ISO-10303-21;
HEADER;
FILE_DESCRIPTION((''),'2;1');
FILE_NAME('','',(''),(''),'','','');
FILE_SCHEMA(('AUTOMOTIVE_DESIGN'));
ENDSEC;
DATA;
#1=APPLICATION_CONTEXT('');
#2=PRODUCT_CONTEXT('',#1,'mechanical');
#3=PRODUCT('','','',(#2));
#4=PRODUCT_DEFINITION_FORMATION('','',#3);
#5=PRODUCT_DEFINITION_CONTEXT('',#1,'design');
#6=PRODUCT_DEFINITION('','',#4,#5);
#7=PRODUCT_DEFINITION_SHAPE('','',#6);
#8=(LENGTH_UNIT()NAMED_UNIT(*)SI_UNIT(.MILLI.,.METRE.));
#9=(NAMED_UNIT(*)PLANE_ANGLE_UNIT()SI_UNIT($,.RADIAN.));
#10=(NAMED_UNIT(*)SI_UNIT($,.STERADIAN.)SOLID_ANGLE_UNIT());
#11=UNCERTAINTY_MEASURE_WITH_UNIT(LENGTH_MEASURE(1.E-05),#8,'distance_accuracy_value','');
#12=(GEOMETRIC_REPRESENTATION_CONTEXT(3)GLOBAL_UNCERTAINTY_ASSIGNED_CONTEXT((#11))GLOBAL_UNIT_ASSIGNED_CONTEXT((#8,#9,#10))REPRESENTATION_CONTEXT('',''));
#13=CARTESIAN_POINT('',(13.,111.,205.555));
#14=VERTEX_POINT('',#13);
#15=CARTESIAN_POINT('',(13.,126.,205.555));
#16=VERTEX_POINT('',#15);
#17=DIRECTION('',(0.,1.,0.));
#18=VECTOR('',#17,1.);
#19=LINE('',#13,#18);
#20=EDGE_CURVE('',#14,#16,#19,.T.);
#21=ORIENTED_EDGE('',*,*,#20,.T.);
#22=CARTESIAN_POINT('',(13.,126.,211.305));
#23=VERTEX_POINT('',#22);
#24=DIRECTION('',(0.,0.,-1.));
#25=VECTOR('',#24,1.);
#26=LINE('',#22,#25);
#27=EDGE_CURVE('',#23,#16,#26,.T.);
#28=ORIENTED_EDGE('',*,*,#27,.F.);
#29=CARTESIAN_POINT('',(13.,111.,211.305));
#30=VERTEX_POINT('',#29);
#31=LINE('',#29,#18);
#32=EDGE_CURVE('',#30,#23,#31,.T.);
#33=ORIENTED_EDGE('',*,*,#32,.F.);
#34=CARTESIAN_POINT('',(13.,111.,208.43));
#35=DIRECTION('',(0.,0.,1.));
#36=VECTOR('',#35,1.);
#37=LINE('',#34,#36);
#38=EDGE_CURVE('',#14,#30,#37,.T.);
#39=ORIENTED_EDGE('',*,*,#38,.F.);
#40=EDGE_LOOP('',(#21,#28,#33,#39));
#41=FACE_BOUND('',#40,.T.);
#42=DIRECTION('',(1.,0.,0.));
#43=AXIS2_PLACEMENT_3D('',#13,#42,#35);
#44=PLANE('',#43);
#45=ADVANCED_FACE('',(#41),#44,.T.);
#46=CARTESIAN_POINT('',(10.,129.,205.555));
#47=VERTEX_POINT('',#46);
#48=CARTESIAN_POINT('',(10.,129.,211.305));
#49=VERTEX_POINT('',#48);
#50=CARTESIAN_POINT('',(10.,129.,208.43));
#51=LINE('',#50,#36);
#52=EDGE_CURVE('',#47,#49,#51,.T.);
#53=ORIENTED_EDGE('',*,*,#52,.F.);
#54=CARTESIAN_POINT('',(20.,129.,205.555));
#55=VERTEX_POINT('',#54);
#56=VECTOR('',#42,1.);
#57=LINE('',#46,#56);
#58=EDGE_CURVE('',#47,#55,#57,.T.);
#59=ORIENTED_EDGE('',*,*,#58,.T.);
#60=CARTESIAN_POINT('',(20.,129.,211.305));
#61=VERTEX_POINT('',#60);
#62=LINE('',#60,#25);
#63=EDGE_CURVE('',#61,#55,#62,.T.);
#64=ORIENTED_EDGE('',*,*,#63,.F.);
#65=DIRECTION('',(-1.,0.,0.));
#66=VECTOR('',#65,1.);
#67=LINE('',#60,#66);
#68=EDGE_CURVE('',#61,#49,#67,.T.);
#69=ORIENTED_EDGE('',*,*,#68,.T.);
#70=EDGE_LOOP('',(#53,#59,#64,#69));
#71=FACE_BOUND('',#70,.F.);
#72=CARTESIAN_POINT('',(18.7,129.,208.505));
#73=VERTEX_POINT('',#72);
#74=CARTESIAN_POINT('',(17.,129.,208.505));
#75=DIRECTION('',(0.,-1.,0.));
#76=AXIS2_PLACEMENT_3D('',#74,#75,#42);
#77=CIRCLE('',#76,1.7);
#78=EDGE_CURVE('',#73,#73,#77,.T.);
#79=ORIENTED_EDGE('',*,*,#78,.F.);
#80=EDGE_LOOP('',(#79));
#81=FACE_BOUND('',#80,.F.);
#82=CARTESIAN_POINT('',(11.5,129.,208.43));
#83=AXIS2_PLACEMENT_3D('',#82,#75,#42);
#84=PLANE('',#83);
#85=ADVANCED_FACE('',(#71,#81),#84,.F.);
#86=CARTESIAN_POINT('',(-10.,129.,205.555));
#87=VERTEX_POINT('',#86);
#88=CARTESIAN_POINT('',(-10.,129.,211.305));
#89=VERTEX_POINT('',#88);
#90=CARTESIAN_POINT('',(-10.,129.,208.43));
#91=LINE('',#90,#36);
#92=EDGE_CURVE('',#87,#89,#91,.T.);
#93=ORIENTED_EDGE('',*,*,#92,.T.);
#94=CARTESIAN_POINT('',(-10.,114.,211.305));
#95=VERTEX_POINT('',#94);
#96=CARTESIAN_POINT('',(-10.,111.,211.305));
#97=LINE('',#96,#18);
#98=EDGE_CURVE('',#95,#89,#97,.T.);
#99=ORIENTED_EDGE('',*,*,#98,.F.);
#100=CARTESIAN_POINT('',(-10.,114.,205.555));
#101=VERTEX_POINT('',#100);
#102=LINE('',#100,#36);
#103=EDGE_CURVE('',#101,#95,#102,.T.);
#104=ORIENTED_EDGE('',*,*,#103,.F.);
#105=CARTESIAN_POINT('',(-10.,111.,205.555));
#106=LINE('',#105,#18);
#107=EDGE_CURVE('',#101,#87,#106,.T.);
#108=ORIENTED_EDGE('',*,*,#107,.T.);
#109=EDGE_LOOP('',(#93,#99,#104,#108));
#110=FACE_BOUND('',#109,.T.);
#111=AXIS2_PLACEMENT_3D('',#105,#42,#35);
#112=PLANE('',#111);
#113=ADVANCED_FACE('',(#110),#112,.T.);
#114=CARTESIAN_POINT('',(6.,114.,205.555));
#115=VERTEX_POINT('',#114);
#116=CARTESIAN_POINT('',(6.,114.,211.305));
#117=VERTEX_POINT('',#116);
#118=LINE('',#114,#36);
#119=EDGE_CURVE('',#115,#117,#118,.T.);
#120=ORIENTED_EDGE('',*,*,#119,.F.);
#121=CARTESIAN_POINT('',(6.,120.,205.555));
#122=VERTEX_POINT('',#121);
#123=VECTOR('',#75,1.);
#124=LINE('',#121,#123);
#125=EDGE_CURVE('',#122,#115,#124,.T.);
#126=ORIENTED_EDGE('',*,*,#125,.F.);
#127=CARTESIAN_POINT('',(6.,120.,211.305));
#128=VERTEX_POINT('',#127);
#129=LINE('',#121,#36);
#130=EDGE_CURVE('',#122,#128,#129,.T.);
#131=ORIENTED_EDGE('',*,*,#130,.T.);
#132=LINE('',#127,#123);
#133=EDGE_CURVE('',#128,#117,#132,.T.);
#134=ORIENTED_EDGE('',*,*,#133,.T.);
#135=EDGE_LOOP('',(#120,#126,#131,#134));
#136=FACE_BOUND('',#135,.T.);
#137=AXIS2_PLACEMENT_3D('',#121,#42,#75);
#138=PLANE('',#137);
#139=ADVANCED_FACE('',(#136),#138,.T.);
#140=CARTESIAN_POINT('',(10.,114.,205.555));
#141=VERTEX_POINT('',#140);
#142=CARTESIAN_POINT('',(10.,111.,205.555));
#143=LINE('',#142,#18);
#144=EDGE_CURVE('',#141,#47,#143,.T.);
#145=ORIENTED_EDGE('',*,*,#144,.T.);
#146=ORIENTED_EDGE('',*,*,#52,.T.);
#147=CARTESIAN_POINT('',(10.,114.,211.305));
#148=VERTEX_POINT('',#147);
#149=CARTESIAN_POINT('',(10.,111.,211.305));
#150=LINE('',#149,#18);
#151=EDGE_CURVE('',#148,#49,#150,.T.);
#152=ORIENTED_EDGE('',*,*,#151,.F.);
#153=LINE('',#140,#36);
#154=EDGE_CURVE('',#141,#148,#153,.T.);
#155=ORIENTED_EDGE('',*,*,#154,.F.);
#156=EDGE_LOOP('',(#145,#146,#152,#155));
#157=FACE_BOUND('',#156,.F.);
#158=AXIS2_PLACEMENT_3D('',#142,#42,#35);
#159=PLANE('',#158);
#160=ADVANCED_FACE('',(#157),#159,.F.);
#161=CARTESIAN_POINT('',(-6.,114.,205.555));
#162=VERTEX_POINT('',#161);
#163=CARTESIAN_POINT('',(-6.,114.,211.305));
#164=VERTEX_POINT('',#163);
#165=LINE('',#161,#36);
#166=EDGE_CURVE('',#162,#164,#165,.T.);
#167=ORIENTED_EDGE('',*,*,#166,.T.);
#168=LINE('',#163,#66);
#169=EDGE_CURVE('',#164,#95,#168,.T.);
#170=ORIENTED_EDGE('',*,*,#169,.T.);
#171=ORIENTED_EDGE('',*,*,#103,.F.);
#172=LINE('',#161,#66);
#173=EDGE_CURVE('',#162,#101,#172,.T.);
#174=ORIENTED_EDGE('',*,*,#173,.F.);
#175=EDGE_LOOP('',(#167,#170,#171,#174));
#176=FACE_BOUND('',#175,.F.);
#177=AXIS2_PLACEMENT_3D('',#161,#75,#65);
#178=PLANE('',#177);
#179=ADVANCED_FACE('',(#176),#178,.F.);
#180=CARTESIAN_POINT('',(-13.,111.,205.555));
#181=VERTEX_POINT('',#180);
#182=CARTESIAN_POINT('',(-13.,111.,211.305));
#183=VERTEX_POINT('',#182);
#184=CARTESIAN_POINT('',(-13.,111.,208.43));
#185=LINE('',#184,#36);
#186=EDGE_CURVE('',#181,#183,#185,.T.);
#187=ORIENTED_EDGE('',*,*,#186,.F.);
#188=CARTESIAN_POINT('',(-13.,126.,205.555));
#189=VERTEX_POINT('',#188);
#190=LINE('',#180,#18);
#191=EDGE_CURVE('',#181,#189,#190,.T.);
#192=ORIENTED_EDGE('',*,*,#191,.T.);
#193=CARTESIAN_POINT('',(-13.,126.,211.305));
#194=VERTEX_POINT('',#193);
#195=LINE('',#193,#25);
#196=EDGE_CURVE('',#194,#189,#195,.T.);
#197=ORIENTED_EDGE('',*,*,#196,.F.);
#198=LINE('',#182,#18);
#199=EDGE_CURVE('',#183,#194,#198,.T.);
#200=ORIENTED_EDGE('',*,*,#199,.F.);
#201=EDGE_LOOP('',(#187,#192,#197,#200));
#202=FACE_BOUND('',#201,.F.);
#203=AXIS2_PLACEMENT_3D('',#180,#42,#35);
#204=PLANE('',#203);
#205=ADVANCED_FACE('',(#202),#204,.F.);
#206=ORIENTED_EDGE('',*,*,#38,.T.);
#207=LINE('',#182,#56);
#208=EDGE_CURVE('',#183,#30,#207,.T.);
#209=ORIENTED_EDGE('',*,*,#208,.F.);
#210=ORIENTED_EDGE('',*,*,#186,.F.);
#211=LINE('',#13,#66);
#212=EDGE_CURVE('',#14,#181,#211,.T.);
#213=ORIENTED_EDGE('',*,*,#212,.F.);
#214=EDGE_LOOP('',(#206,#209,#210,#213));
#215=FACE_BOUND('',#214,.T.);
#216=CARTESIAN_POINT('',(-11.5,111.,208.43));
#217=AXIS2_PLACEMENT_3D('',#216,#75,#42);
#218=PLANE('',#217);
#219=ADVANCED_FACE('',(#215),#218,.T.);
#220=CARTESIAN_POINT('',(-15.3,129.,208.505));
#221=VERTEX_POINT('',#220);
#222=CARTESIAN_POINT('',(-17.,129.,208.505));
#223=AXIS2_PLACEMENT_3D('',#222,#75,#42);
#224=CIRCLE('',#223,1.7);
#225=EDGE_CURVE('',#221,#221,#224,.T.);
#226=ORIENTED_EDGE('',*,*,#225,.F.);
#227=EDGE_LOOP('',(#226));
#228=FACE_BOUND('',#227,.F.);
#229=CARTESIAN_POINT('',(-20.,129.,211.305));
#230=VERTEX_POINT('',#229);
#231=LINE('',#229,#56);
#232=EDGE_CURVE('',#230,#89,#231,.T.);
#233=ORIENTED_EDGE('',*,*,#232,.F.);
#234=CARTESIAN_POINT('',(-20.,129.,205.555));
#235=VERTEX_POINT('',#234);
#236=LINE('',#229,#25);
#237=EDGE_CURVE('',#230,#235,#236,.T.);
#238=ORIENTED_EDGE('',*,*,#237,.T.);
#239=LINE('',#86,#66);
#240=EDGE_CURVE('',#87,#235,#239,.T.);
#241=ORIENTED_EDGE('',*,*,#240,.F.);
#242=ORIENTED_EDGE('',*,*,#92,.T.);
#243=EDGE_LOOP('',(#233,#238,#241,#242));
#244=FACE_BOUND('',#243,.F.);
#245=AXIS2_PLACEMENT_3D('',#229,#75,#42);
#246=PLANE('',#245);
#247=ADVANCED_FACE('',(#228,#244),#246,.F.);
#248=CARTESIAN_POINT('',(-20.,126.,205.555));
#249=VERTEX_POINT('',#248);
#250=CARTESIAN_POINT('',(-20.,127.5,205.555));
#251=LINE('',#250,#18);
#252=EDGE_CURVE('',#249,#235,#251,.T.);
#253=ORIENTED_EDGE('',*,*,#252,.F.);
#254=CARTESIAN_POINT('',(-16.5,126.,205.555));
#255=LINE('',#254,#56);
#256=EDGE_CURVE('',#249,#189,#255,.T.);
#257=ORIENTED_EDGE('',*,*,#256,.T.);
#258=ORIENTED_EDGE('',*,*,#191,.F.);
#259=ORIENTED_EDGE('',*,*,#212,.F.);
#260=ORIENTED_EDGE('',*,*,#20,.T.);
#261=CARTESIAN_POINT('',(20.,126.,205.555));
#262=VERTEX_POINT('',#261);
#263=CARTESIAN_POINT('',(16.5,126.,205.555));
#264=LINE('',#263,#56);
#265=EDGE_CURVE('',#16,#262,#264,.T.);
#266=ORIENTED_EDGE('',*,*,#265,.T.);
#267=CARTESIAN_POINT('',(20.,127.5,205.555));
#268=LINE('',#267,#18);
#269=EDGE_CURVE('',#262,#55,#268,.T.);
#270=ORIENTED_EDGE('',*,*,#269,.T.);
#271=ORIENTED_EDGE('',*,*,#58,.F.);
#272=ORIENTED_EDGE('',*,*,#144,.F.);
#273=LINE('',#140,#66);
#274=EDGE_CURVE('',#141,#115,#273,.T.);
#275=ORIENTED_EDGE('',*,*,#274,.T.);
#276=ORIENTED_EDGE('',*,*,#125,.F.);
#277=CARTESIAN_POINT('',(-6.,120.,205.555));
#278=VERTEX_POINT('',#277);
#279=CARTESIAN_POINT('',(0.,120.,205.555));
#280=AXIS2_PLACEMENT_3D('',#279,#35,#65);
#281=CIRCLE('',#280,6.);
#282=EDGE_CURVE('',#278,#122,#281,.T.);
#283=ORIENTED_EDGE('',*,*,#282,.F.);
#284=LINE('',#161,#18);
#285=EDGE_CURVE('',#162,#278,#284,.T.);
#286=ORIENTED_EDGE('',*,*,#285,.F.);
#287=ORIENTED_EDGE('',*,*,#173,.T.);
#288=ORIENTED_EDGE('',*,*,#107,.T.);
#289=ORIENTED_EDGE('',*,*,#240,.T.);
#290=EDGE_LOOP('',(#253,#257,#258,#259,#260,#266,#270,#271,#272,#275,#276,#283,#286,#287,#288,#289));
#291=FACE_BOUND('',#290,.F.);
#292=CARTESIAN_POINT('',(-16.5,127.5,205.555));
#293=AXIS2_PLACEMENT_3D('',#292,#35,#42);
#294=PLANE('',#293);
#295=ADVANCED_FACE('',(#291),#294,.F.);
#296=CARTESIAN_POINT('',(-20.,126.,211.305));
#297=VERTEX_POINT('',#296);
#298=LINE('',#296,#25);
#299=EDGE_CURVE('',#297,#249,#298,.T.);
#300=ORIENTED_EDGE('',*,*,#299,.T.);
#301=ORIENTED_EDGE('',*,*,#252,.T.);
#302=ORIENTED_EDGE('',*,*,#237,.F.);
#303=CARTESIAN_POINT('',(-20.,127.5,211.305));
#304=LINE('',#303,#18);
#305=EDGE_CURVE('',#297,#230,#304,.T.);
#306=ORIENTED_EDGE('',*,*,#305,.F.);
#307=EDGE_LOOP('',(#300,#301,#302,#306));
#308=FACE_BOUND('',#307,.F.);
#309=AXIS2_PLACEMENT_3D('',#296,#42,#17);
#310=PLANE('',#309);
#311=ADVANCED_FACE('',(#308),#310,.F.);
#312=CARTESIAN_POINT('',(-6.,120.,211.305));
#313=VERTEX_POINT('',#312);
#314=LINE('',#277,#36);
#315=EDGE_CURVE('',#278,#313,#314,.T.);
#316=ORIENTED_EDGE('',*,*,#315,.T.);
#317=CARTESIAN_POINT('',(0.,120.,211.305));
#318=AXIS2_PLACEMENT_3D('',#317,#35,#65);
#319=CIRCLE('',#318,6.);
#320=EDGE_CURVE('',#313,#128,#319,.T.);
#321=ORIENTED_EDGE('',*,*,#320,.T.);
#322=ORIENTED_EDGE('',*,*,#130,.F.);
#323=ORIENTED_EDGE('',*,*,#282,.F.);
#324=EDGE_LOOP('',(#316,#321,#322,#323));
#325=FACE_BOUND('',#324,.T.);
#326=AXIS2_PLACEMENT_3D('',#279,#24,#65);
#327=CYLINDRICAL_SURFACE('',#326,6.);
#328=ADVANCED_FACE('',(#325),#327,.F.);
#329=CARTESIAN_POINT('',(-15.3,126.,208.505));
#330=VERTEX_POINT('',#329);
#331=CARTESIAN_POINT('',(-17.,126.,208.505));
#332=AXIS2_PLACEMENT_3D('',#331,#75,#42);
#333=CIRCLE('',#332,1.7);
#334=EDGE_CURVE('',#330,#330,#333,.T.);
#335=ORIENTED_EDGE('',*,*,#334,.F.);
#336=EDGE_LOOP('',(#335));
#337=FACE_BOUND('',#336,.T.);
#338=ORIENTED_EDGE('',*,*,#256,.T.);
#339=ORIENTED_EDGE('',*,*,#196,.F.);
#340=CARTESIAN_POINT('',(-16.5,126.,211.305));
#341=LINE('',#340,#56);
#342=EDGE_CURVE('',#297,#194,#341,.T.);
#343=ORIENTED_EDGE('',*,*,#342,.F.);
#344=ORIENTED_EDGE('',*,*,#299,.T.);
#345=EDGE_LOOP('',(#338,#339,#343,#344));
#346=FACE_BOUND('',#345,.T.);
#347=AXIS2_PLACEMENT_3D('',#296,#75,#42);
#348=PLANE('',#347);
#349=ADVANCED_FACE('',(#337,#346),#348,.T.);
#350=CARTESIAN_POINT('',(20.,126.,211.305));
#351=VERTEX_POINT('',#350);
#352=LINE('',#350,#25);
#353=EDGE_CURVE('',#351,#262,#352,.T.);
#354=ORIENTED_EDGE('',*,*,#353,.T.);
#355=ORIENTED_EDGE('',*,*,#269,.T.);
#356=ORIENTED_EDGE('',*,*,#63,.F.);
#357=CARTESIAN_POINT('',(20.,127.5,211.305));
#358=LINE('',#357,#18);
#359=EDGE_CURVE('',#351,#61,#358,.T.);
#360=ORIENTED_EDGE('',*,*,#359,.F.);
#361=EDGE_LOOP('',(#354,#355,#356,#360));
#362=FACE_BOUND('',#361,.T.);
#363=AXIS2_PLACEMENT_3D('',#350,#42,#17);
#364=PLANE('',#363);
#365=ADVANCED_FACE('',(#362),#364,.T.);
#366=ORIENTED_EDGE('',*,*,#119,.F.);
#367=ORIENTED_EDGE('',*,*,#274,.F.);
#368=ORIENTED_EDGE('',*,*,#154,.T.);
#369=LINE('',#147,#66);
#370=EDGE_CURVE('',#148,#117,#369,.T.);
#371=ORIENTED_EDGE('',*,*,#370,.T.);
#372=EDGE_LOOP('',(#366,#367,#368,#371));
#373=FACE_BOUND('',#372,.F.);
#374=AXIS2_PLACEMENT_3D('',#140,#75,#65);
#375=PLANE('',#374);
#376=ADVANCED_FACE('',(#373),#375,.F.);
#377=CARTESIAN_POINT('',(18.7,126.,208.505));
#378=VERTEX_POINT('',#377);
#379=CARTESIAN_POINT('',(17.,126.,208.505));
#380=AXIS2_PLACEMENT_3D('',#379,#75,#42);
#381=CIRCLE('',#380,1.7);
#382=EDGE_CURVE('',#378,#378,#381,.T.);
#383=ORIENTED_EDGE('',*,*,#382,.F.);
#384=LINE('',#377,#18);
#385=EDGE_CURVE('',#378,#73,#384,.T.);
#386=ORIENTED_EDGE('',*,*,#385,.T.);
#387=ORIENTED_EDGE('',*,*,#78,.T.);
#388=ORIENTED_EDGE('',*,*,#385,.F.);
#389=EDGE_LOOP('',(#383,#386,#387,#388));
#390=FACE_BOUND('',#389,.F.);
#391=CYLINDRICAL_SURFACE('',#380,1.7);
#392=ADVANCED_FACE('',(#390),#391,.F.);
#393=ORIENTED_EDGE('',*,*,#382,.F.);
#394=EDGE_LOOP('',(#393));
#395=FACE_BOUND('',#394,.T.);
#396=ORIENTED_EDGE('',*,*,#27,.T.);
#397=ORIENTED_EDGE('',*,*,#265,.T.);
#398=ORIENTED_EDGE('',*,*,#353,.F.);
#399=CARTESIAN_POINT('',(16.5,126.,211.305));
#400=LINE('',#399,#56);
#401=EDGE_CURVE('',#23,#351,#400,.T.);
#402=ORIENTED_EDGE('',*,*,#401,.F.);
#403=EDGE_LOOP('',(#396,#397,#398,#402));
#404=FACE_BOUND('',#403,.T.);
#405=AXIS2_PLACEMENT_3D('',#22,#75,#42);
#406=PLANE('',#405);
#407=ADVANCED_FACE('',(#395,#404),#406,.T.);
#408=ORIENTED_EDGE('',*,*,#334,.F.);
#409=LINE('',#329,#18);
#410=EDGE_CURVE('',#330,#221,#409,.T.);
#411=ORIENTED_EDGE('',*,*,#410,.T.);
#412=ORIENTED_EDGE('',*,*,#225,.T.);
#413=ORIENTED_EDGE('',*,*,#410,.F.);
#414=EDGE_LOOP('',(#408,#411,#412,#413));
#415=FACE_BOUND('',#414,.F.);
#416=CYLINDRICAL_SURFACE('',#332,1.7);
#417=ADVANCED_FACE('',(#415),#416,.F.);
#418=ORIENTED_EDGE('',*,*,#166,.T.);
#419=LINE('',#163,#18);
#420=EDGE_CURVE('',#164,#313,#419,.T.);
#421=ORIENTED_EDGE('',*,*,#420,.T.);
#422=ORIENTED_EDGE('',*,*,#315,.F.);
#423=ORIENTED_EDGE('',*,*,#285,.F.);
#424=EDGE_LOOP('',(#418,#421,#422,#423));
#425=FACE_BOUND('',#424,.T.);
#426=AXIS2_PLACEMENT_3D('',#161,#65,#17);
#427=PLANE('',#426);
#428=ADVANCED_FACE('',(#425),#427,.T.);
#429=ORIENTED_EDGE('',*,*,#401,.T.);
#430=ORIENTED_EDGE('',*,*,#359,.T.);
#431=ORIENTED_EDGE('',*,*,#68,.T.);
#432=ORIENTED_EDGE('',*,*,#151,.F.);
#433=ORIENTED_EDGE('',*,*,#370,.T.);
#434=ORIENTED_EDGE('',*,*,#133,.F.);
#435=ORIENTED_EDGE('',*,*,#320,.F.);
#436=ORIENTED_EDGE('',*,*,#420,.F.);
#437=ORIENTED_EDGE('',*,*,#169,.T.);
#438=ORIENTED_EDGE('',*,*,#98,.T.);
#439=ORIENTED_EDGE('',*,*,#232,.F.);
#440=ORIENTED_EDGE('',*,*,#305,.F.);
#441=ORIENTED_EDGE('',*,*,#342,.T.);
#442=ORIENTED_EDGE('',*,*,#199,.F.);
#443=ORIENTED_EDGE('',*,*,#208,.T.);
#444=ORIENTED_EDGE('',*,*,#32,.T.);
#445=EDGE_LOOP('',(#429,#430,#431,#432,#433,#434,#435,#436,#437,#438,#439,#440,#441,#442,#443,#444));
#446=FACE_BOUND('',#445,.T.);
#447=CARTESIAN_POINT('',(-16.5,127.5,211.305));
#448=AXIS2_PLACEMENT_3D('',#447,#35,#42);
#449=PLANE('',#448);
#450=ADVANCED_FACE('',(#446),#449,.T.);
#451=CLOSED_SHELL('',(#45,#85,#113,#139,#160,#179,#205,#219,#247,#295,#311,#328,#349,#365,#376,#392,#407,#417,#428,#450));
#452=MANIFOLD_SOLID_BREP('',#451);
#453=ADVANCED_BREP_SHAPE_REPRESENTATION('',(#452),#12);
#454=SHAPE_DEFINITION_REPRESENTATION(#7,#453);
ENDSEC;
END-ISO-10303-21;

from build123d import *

# Parameters (mm, degrees)
PAD032_DEPTH  = 5.75
SKETCH096_W   = 3
SKETCH096_H   = 5.75
PAD033_DEPTH  = 18
SKETCH097_W   = 7
SKETCH097_H   = 3
PAD034_DEPTH  = 5.75
SKETCH098_R   = 1.7
HOLE019_DEPTH = 25


with BuildPart() as part:
    # Sketch095 → Pad032 (new body)
    with BuildSketch(Plane.XY):
        with BuildLine():
            Line((-10, 0), (-10, -3))
            Line((-10, -3), (10, -3))
            Line((10, -3), (10, 0))
            Line((10, 0), (6, 0))
            Line((6, 6), (6, 0))
            ThreePointArc((-6, 6), (0, 0), (6, 6))
            Line((-6, 0), (-6, 6))
            Line((-6, 0), (-10, 0))
        make_face()
    extrude(amount=PAD032_DEPTH)

    # Sketch096 → Pad033 (join)
    with BuildSketch(Plane.XZ.offset(3)):
        with Locations((-11.5, 2.875)):
            Rectangle(SKETCH096_W, SKETCH096_H)
        with Locations((11.5, 2.875)):
            Rectangle(SKETCH096_W, SKETCH096_H)
    extrude(amount=-PAD033_DEPTH)

    # Sketch097 (on Face7 of Pad033) → Pad034 (join)
    with BuildSketch(Plane.XY.offset(5.75)):
        with Locations((-16.5, 13.5)):
            Rectangle(SKETCH097_W, SKETCH097_H)
        with Locations((16.5, 13.5)):
            Rectangle(SKETCH097_W, SKETCH097_H)
    extrude(amount=-PAD034_DEPTH)

    # Sketch098 (on Face26 of Pad034) → Hole019 (cut)
    with BuildSketch(Plane.XZ.offset(-12)):
        with Locations((-17, 2.95)):
            Circle(SKETCH098_R)
        with Locations((17, 2.95)):
            Circle(SKETCH098_R)
    extrude(amount=-HOLE019_DEPTH, mode=Mode.SUBTRACT)


with BuildPart() as part_1:
    # Body014 placement: moved
    add(part.part.moved(Location((0, 114, 205.555))))


solid = part_1.part
